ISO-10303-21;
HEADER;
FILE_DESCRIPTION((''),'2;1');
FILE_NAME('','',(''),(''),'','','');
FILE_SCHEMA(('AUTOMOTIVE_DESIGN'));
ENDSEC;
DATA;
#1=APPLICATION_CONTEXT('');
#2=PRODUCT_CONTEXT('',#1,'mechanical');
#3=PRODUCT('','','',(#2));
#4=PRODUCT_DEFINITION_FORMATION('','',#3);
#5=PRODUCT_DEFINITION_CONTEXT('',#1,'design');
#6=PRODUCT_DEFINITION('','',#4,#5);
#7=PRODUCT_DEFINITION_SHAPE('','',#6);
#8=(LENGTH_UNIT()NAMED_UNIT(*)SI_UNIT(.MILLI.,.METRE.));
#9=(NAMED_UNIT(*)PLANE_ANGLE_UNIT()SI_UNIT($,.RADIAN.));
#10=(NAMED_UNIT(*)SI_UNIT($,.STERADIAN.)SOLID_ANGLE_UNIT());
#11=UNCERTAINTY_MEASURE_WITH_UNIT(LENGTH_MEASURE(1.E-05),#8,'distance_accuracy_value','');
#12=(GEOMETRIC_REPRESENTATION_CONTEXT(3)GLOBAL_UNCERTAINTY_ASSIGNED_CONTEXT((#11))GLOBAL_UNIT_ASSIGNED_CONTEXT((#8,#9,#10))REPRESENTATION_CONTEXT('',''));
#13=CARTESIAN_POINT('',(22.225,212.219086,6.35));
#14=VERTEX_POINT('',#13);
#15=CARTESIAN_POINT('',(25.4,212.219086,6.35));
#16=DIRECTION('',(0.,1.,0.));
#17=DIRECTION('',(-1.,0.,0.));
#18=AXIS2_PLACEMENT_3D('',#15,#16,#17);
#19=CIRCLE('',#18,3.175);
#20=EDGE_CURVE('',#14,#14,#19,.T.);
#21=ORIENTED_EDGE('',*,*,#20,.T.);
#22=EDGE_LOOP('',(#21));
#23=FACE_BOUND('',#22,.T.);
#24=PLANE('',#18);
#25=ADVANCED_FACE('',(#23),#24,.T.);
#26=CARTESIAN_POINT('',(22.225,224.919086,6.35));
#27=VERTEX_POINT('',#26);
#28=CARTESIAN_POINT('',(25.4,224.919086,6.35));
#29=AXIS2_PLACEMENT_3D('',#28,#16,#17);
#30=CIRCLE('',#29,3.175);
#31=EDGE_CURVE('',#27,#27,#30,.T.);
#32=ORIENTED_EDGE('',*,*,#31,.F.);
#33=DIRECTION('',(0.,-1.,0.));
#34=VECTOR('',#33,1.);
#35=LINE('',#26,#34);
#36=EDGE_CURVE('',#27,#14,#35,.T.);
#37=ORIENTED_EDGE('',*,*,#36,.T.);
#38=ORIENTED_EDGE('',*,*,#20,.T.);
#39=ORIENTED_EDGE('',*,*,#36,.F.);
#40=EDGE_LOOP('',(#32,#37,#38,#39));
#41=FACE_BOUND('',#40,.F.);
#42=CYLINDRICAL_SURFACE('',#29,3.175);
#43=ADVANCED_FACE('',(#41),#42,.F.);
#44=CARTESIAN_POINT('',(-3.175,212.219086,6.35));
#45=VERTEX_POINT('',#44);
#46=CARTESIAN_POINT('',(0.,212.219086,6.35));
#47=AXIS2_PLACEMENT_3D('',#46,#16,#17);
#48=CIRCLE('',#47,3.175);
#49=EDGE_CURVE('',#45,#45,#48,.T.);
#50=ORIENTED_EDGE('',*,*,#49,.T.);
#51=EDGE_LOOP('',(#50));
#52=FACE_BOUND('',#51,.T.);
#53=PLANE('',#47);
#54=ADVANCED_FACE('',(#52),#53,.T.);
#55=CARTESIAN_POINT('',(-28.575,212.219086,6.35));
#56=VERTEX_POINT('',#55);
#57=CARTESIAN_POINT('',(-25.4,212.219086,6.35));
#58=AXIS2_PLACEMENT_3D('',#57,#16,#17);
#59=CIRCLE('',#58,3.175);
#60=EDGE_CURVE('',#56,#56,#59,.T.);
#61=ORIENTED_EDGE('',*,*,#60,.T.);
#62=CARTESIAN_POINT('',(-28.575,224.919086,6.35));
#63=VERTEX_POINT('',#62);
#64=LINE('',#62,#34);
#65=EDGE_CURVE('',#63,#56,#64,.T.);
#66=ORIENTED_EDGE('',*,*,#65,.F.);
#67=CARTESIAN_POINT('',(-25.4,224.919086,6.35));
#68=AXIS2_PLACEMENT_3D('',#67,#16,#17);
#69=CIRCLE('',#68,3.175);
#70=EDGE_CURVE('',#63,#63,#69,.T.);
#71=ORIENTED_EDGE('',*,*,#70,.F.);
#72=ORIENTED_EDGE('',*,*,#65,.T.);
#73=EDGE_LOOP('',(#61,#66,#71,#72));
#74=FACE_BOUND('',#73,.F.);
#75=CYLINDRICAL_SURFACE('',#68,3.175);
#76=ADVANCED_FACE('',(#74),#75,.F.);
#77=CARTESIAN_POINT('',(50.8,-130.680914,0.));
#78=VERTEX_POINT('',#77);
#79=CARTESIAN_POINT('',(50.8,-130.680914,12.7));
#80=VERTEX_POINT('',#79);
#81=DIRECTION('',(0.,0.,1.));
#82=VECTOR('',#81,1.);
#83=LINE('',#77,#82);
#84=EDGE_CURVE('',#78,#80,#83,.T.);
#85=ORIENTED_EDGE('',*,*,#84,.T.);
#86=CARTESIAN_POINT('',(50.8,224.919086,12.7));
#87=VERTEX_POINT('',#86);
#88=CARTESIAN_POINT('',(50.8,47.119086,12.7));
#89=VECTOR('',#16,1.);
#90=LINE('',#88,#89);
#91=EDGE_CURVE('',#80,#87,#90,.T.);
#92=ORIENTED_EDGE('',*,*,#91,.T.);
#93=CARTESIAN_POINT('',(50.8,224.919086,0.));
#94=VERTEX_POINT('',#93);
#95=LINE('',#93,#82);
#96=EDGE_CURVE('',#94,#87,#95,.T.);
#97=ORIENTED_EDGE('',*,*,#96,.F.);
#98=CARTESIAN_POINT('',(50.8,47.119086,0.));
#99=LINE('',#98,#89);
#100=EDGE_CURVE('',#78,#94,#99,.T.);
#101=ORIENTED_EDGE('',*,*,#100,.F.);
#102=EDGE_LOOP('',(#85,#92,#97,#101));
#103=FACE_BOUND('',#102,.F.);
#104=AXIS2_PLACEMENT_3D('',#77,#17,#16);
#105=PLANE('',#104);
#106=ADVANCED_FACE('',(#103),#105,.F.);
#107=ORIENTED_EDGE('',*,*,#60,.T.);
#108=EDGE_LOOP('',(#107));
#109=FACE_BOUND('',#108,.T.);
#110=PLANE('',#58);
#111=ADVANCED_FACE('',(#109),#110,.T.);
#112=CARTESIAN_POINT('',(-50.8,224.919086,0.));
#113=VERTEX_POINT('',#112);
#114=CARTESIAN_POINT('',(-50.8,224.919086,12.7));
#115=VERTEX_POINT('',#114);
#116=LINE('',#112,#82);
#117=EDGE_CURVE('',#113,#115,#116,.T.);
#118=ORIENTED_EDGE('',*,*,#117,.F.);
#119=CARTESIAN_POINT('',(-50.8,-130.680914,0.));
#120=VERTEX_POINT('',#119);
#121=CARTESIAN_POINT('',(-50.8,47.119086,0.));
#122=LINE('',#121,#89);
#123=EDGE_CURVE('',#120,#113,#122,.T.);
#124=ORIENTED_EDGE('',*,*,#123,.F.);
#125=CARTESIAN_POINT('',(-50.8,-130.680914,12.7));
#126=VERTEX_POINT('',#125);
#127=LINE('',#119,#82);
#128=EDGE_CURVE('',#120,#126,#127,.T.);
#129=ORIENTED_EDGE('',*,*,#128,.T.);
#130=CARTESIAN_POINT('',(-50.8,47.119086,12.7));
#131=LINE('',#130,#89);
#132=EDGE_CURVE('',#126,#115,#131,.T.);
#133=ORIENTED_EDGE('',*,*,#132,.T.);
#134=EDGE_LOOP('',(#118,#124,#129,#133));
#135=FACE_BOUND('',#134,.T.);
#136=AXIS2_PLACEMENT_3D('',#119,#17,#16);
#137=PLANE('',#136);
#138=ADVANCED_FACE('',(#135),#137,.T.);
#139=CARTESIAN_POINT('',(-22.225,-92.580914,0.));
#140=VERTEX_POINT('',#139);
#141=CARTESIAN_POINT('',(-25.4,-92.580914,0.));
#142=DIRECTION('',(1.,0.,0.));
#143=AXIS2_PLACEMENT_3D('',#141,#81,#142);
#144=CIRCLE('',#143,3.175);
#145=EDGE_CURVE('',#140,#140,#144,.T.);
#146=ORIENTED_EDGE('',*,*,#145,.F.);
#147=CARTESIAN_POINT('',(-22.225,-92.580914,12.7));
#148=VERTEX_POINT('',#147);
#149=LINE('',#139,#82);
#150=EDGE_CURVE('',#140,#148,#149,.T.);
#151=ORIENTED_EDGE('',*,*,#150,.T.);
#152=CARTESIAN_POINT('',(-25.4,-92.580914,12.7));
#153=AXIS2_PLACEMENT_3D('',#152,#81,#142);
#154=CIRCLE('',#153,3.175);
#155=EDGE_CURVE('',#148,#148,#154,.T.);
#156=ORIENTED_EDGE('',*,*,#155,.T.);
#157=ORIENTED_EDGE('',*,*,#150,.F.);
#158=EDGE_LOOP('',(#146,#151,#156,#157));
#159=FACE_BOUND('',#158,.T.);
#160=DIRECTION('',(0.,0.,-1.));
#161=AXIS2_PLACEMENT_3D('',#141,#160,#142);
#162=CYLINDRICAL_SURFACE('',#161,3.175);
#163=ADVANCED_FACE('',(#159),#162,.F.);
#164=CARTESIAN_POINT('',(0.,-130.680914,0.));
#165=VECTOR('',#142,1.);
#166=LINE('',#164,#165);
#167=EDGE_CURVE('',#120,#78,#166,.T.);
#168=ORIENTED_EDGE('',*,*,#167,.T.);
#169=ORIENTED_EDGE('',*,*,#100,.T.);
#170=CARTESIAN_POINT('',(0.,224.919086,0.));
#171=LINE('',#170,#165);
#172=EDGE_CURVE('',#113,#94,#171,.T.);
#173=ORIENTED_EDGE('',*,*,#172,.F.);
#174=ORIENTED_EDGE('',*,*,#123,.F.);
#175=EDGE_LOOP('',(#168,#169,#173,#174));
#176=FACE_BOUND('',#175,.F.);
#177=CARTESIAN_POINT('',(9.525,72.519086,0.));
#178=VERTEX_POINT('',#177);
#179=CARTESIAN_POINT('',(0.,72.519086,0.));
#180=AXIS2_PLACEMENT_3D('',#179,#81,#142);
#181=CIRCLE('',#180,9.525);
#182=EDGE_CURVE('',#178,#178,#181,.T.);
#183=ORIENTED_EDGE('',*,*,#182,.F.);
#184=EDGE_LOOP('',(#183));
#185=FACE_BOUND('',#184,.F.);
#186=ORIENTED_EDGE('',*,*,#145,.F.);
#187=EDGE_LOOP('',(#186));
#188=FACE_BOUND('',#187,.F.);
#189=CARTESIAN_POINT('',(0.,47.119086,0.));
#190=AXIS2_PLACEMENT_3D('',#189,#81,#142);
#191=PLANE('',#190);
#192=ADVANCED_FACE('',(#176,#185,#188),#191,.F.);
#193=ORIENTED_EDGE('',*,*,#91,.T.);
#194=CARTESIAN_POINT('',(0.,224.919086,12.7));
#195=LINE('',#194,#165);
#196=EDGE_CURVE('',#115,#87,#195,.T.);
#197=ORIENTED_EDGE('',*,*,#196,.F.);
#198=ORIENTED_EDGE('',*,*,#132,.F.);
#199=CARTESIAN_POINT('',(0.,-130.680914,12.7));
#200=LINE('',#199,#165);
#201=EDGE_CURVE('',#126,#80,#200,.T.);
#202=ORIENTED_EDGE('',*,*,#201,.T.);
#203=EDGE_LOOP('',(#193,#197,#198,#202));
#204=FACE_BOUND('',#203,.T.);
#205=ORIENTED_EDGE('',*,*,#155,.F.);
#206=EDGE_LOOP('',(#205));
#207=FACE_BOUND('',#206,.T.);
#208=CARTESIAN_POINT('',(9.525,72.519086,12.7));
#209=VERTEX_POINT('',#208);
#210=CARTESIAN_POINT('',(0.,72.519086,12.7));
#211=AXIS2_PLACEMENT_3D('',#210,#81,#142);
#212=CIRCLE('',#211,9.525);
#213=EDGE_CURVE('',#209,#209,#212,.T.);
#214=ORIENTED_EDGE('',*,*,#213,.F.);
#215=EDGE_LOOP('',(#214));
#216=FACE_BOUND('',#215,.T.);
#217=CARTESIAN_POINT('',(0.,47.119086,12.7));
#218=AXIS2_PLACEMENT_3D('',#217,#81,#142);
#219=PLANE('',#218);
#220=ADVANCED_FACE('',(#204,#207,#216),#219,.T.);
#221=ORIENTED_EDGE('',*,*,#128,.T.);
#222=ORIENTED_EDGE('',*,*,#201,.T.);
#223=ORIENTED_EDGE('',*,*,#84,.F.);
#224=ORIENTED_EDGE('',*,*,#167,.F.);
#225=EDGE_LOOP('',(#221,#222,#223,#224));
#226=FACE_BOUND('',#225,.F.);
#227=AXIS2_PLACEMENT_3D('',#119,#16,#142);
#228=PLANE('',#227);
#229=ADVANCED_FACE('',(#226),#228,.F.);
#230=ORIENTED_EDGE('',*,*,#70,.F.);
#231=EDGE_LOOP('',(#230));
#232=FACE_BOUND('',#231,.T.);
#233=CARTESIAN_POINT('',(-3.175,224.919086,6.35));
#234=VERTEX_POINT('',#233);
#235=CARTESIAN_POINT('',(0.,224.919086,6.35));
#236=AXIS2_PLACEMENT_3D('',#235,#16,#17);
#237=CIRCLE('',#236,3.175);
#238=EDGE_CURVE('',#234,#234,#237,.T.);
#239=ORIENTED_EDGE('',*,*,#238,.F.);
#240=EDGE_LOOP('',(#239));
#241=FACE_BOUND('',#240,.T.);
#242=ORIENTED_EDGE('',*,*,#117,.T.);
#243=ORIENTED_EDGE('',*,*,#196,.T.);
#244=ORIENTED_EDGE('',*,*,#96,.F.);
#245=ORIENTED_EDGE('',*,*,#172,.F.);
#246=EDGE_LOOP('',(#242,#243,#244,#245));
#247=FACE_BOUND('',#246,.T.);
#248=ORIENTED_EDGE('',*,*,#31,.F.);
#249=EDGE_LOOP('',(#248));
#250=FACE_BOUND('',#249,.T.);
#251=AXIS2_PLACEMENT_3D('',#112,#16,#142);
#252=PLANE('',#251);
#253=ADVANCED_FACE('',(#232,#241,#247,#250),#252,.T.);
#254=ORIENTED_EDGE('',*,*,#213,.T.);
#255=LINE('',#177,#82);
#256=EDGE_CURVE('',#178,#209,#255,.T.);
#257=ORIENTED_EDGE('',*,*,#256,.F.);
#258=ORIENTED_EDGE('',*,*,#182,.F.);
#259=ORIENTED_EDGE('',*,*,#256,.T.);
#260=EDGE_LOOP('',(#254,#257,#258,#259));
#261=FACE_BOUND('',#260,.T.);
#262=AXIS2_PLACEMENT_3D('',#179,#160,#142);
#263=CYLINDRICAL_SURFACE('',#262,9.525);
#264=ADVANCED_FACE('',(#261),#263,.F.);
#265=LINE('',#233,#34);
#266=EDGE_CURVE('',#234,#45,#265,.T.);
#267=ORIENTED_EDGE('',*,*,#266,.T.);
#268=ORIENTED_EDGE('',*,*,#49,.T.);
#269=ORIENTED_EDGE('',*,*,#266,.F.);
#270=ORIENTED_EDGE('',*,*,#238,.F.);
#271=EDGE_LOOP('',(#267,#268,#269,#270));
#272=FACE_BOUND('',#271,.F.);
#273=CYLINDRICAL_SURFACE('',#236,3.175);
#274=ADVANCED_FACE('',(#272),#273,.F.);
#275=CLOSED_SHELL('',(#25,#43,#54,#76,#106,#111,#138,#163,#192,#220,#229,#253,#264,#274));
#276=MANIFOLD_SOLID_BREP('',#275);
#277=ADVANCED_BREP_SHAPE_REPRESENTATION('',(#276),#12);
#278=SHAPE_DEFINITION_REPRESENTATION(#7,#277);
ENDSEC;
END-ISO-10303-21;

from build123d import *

# Parameters (mm, degrees)
F0_W     = 101.6
F0_H     = 355.6
F0_R     = 3.175
F0_R_2   = 9.525
F1_DEPTH = 12.7
F2_R     = 3.175
F3_DEPTH = 12.7


with BuildPart() as f1:
    # F0 (on Top) → F1 (new body)
    with BuildSketch(Plane.XY):
        with Locations((0, 47.119086)):
            Rectangle(F0_W, F0_H)
        with Locations((-25.4, -92.580914)):
            Circle(F0_R, mode=Mode.SUBTRACT)
        with Locations((0, 72.519086)):
            Circle(F0_R_2, mode=Mode.SUBTRACT)
    extrude(amount=F1_DEPTH)

    # F2 (on face) → F3 (cut)
    with BuildSketch(Plane(origin=(0, 224.919086, 0), x_dir=(-1, 0, 0), z_dir=(0, 1, 0))):
        with Locations((-25.4, 6.35)):
            Circle(F2_R)
        with Locations((0, 6.35)):
            Circle(F2_R)
        with Locations((25.4, 6.35)):
            Circle(F2_R)
    extrude(amount=-F3_DEPTH, mode=Mode.SUBTRACT)


solid = f1.part
